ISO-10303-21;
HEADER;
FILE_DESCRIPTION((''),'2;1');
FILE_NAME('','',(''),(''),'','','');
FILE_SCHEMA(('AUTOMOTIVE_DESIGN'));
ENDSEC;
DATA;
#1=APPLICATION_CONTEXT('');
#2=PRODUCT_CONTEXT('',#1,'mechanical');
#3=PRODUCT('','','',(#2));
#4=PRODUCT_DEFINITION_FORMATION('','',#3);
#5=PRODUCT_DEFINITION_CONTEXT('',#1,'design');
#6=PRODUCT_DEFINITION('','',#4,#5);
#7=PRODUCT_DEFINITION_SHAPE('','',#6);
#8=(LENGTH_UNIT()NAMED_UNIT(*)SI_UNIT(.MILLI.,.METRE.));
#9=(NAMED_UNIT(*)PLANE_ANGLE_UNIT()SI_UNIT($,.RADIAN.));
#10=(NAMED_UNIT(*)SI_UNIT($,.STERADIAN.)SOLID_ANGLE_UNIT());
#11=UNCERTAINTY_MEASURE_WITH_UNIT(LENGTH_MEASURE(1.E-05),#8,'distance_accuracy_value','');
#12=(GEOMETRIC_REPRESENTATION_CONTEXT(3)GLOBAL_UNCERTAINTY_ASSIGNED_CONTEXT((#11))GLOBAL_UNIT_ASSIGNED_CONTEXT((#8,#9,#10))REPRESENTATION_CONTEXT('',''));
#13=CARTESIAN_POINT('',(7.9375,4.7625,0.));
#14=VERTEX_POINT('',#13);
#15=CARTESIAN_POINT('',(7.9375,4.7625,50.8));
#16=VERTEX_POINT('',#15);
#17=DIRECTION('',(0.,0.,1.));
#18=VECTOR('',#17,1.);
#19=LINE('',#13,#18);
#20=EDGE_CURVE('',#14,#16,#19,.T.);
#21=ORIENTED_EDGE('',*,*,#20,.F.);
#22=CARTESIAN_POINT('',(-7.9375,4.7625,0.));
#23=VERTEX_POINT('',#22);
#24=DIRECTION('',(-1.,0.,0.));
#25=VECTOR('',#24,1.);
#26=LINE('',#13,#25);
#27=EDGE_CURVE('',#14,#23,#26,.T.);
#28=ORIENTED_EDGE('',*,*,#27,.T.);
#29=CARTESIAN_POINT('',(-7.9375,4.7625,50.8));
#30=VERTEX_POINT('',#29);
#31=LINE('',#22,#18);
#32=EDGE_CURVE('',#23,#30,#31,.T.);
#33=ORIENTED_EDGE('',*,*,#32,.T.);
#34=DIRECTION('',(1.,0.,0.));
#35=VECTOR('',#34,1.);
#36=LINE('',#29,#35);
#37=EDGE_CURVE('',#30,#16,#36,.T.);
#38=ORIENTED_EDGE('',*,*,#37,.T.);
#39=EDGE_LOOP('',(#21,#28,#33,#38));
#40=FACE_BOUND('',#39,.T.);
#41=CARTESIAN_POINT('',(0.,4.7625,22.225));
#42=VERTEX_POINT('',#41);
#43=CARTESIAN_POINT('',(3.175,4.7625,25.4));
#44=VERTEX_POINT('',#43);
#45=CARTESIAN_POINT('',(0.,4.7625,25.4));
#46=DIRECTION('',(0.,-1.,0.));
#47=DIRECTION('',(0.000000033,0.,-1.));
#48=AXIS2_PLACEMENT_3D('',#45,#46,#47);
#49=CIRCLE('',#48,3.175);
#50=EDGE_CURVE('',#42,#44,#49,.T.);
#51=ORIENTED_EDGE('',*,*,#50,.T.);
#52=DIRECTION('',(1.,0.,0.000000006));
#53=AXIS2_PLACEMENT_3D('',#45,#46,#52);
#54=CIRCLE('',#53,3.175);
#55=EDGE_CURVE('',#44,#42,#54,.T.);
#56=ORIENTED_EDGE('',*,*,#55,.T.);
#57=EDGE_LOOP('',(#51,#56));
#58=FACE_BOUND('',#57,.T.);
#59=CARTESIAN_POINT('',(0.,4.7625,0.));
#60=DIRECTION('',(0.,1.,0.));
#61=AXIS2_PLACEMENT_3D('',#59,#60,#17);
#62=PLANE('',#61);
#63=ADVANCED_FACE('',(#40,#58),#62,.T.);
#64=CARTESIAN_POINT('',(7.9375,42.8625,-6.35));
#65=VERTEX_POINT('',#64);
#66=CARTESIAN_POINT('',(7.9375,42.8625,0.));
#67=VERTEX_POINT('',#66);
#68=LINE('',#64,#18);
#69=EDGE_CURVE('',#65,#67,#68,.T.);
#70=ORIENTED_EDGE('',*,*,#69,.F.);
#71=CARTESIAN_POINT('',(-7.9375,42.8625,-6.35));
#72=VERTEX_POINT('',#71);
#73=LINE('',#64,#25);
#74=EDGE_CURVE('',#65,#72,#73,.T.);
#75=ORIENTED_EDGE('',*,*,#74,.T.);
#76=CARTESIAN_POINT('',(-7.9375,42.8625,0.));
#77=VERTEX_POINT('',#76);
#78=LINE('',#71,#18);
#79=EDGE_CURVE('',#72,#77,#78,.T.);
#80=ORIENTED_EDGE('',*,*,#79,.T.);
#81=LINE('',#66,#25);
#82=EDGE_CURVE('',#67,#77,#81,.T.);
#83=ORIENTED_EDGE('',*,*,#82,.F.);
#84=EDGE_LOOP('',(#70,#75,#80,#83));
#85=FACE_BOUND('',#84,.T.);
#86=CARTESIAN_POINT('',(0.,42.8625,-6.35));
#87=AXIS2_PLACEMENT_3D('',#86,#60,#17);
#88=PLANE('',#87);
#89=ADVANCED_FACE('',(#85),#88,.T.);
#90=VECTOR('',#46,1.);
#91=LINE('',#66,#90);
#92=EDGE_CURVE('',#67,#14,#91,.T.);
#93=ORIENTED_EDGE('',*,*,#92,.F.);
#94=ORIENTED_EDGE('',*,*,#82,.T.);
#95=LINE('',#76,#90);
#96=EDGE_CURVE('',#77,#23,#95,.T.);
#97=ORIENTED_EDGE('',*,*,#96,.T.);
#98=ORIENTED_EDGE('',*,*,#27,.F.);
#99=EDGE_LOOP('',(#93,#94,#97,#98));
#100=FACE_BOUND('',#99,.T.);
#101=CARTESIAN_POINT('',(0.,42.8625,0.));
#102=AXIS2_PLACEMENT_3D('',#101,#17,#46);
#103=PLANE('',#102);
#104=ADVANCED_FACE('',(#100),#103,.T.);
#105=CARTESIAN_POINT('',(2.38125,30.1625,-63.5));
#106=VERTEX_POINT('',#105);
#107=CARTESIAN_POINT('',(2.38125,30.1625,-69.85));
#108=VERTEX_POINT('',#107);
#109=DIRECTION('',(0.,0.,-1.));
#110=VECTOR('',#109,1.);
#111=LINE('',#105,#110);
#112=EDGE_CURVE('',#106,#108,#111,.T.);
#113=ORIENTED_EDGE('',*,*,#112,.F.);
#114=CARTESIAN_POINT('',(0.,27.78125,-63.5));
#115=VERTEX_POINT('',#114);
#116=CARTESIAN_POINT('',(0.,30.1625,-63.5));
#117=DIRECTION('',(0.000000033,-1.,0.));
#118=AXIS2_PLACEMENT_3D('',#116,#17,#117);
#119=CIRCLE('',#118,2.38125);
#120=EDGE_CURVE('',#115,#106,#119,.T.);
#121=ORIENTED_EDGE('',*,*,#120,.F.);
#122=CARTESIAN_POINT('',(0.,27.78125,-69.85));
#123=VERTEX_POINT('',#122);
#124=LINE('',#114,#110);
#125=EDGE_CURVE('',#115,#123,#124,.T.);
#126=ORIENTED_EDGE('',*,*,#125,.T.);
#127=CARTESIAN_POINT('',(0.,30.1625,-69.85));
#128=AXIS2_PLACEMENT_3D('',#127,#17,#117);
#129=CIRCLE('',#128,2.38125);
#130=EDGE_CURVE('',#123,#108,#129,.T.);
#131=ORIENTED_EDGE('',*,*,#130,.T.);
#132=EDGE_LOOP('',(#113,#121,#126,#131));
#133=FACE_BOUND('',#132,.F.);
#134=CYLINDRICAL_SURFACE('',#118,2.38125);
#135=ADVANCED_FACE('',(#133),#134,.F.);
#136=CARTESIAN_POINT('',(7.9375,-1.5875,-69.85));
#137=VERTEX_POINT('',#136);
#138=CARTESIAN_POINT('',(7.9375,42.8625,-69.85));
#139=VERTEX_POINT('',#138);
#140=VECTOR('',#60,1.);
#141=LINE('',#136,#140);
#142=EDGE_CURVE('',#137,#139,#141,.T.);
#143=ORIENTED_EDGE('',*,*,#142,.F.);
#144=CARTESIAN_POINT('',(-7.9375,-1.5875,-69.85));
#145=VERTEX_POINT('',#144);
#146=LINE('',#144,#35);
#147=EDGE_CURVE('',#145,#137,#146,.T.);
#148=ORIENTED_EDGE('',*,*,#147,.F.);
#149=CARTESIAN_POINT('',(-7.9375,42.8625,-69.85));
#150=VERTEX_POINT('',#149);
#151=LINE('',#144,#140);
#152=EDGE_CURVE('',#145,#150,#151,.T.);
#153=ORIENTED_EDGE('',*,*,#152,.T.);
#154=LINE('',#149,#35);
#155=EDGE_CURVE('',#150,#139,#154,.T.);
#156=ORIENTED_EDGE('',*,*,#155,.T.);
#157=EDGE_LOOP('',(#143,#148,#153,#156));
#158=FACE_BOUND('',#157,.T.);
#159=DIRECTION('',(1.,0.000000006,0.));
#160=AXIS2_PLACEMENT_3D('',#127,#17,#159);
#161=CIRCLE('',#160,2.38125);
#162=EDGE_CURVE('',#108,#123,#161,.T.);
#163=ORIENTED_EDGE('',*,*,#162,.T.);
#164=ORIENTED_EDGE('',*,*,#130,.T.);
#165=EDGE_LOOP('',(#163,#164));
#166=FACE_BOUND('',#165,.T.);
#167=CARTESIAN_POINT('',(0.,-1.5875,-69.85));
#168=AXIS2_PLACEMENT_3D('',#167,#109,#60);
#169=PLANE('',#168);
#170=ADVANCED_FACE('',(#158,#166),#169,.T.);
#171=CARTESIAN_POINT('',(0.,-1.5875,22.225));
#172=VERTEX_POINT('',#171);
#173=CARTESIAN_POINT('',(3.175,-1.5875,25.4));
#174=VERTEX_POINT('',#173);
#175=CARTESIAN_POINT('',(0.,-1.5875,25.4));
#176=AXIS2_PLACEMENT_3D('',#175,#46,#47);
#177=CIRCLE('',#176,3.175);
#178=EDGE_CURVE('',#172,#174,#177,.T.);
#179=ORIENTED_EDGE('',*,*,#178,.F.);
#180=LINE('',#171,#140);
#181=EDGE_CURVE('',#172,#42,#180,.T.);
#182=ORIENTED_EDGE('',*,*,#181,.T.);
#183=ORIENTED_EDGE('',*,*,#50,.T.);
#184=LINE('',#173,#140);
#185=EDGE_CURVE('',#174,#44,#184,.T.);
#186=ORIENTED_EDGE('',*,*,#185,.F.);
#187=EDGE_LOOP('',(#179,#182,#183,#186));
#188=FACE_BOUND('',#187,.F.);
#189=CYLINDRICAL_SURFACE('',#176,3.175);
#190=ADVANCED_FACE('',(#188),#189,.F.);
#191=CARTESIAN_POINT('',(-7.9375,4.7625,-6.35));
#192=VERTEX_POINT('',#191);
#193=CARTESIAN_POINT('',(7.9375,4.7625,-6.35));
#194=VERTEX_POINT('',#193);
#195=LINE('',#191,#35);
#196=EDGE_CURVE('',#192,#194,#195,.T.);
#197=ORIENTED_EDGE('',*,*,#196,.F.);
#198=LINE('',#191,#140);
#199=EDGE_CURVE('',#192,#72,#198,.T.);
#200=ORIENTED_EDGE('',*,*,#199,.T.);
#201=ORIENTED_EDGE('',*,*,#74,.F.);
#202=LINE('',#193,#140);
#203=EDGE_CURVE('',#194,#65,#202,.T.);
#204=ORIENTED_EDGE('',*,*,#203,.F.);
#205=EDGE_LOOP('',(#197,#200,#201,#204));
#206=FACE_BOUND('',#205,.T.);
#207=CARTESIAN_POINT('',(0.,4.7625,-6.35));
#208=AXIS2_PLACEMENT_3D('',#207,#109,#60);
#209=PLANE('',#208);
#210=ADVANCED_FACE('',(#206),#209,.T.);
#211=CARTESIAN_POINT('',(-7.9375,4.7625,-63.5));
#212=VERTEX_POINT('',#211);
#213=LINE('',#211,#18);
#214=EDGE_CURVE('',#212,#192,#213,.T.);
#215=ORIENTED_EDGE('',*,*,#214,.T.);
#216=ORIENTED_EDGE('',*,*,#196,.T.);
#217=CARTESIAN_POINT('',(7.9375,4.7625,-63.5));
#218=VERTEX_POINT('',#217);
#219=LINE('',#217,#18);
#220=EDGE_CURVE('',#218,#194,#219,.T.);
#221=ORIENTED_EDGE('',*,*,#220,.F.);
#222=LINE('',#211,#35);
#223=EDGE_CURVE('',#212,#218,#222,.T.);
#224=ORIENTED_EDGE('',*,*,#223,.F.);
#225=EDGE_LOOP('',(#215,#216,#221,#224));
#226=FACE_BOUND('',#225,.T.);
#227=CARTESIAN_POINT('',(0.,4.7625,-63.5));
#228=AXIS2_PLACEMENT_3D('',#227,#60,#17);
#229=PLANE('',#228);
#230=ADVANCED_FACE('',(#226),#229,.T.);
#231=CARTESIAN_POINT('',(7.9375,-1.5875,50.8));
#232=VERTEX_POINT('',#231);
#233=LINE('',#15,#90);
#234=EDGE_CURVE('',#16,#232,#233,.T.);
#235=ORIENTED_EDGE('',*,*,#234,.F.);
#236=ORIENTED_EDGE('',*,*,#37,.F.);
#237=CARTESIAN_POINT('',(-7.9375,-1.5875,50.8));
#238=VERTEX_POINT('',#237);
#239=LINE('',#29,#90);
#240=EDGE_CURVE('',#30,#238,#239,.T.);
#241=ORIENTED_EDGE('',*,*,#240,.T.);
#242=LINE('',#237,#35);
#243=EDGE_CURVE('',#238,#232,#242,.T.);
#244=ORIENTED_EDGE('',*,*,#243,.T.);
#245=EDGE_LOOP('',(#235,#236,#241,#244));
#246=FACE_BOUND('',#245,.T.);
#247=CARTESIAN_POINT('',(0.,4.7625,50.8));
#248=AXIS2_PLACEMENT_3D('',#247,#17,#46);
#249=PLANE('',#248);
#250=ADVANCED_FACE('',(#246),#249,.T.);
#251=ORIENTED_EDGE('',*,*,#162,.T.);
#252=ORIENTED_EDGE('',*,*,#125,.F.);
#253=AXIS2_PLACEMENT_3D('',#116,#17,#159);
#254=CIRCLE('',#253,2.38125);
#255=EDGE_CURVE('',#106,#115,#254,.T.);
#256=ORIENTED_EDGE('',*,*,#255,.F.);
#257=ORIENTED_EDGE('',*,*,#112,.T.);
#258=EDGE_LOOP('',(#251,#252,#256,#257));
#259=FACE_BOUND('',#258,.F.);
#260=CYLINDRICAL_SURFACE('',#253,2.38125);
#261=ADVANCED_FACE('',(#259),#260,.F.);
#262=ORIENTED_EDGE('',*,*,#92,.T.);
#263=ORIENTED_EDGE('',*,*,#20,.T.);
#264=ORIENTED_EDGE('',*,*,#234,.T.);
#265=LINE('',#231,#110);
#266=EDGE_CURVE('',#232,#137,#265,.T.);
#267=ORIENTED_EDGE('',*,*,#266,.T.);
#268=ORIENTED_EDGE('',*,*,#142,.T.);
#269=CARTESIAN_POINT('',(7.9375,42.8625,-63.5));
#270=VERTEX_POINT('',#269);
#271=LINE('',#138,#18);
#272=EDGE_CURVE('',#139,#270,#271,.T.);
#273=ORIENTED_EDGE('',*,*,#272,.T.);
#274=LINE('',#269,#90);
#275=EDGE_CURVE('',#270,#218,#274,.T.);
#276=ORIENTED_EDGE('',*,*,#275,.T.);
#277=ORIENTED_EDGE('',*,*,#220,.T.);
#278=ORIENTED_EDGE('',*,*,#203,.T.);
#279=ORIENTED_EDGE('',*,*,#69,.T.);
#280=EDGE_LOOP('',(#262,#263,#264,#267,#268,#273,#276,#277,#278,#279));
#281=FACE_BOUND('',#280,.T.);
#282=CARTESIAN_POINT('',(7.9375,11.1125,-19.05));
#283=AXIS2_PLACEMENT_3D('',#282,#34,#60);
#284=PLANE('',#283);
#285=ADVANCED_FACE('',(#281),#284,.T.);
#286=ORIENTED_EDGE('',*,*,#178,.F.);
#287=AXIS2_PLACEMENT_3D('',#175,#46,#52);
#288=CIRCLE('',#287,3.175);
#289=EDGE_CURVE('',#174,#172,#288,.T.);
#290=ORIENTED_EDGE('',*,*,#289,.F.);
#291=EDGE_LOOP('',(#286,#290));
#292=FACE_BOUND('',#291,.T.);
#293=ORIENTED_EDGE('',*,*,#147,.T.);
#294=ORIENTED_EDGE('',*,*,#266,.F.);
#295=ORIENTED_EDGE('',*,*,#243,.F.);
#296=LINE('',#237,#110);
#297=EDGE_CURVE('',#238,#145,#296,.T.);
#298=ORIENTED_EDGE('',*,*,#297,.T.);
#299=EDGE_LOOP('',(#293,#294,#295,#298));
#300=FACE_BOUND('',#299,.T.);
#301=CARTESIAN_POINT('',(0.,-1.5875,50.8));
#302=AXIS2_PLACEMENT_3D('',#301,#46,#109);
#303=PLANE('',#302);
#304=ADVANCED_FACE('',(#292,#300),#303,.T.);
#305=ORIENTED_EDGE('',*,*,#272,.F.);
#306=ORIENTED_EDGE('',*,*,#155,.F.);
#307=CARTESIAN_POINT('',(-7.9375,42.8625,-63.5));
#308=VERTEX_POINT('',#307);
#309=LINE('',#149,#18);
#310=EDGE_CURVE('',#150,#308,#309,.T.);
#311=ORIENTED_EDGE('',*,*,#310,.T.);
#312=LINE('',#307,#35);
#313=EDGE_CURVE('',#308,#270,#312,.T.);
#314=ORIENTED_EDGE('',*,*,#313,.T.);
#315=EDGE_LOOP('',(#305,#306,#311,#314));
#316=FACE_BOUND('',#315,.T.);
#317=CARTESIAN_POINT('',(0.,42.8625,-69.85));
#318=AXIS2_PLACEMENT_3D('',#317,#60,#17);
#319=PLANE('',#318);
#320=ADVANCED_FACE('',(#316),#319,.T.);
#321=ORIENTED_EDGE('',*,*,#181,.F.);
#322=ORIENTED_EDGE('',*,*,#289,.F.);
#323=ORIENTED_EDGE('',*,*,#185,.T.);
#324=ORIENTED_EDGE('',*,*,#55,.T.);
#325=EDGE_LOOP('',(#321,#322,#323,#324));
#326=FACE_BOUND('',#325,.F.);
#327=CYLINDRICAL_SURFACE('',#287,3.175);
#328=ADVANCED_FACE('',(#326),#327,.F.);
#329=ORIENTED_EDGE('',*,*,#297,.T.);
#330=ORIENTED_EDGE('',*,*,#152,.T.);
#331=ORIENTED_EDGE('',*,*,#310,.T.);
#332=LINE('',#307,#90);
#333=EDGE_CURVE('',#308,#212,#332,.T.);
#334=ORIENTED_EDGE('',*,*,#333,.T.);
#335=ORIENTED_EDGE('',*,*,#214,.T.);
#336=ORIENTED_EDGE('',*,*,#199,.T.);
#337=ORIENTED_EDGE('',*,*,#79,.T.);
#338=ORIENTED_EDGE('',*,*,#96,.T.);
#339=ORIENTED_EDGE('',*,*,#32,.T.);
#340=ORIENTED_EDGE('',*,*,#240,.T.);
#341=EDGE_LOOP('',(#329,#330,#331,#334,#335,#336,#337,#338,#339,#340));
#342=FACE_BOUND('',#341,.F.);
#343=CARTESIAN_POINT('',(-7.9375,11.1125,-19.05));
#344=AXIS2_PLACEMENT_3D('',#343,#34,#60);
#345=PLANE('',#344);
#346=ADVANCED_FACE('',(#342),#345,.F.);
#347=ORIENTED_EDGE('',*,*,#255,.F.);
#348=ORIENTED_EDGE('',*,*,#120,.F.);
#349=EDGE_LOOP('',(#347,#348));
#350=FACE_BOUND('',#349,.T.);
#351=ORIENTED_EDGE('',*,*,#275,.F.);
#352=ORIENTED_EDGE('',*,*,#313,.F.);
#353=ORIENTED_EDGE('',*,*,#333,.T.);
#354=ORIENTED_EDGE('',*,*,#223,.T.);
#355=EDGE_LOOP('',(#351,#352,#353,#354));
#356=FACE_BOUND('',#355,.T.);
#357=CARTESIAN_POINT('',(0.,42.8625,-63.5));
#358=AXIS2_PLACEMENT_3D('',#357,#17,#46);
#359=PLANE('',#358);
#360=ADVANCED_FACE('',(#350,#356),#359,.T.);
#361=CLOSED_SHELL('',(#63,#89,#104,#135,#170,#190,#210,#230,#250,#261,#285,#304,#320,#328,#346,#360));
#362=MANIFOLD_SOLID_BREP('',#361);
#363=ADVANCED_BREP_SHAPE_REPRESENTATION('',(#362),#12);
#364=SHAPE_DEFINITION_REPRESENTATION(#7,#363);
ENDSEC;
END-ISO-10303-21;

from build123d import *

# Parameters (mm, degrees)
F1_DEPTH = 7.9375
F4_DEPTH = 25.4
F5_DEPTH = 25.4


with BuildPart() as f1:
    # F0 (on Right) → F1 (new body, symmetric)
    with BuildSketch(Plane.YZ):
        Polygon((4.7625, 0), (4.7625, 50.8), (-1.5875, 50.8), (-1.5875, 0), (-1.5875, -69.85), (4.7625, -69.85), (42.8625, -69.85), (42.8625, -63.5), (4.7625, -63.5), (4.7625, -6.35), (42.8625, -6.35), (42.8625, 0), align=None)
    extrude(amount=F1_DEPTH, both=True)

    # F3 (on face) → F4 (cut)
    with BuildSketch(Plane.XZ.offset(1.5875)):
        with BuildLine():
            ThreePointArc((0, 22.225), (2.245064, 23.154936), (3.175, 25.4))
            ThreePointArc((3.175, 25.4), (-2.245064, 27.645064), (0, 22.225))
        make_face()
    extrude(amount=-F4_DEPTH, mode=Mode.SUBTRACT)

    # F2 (on face) → F5 (cut)
    with BuildSketch(Plane.XY.offset(-63.5)):
        with BuildLine():
            ThreePointArc((2.38125, 30.1625), (-1.683798, 31.846298), (0, 27.78125))
            ThreePointArc((0, 27.78125), (1.683798, 28.478702), (2.38125, 30.1625))
        make_face()
    extrude(amount=-F5_DEPTH, mode=Mode.SUBTRACT)


solid = f1.part
